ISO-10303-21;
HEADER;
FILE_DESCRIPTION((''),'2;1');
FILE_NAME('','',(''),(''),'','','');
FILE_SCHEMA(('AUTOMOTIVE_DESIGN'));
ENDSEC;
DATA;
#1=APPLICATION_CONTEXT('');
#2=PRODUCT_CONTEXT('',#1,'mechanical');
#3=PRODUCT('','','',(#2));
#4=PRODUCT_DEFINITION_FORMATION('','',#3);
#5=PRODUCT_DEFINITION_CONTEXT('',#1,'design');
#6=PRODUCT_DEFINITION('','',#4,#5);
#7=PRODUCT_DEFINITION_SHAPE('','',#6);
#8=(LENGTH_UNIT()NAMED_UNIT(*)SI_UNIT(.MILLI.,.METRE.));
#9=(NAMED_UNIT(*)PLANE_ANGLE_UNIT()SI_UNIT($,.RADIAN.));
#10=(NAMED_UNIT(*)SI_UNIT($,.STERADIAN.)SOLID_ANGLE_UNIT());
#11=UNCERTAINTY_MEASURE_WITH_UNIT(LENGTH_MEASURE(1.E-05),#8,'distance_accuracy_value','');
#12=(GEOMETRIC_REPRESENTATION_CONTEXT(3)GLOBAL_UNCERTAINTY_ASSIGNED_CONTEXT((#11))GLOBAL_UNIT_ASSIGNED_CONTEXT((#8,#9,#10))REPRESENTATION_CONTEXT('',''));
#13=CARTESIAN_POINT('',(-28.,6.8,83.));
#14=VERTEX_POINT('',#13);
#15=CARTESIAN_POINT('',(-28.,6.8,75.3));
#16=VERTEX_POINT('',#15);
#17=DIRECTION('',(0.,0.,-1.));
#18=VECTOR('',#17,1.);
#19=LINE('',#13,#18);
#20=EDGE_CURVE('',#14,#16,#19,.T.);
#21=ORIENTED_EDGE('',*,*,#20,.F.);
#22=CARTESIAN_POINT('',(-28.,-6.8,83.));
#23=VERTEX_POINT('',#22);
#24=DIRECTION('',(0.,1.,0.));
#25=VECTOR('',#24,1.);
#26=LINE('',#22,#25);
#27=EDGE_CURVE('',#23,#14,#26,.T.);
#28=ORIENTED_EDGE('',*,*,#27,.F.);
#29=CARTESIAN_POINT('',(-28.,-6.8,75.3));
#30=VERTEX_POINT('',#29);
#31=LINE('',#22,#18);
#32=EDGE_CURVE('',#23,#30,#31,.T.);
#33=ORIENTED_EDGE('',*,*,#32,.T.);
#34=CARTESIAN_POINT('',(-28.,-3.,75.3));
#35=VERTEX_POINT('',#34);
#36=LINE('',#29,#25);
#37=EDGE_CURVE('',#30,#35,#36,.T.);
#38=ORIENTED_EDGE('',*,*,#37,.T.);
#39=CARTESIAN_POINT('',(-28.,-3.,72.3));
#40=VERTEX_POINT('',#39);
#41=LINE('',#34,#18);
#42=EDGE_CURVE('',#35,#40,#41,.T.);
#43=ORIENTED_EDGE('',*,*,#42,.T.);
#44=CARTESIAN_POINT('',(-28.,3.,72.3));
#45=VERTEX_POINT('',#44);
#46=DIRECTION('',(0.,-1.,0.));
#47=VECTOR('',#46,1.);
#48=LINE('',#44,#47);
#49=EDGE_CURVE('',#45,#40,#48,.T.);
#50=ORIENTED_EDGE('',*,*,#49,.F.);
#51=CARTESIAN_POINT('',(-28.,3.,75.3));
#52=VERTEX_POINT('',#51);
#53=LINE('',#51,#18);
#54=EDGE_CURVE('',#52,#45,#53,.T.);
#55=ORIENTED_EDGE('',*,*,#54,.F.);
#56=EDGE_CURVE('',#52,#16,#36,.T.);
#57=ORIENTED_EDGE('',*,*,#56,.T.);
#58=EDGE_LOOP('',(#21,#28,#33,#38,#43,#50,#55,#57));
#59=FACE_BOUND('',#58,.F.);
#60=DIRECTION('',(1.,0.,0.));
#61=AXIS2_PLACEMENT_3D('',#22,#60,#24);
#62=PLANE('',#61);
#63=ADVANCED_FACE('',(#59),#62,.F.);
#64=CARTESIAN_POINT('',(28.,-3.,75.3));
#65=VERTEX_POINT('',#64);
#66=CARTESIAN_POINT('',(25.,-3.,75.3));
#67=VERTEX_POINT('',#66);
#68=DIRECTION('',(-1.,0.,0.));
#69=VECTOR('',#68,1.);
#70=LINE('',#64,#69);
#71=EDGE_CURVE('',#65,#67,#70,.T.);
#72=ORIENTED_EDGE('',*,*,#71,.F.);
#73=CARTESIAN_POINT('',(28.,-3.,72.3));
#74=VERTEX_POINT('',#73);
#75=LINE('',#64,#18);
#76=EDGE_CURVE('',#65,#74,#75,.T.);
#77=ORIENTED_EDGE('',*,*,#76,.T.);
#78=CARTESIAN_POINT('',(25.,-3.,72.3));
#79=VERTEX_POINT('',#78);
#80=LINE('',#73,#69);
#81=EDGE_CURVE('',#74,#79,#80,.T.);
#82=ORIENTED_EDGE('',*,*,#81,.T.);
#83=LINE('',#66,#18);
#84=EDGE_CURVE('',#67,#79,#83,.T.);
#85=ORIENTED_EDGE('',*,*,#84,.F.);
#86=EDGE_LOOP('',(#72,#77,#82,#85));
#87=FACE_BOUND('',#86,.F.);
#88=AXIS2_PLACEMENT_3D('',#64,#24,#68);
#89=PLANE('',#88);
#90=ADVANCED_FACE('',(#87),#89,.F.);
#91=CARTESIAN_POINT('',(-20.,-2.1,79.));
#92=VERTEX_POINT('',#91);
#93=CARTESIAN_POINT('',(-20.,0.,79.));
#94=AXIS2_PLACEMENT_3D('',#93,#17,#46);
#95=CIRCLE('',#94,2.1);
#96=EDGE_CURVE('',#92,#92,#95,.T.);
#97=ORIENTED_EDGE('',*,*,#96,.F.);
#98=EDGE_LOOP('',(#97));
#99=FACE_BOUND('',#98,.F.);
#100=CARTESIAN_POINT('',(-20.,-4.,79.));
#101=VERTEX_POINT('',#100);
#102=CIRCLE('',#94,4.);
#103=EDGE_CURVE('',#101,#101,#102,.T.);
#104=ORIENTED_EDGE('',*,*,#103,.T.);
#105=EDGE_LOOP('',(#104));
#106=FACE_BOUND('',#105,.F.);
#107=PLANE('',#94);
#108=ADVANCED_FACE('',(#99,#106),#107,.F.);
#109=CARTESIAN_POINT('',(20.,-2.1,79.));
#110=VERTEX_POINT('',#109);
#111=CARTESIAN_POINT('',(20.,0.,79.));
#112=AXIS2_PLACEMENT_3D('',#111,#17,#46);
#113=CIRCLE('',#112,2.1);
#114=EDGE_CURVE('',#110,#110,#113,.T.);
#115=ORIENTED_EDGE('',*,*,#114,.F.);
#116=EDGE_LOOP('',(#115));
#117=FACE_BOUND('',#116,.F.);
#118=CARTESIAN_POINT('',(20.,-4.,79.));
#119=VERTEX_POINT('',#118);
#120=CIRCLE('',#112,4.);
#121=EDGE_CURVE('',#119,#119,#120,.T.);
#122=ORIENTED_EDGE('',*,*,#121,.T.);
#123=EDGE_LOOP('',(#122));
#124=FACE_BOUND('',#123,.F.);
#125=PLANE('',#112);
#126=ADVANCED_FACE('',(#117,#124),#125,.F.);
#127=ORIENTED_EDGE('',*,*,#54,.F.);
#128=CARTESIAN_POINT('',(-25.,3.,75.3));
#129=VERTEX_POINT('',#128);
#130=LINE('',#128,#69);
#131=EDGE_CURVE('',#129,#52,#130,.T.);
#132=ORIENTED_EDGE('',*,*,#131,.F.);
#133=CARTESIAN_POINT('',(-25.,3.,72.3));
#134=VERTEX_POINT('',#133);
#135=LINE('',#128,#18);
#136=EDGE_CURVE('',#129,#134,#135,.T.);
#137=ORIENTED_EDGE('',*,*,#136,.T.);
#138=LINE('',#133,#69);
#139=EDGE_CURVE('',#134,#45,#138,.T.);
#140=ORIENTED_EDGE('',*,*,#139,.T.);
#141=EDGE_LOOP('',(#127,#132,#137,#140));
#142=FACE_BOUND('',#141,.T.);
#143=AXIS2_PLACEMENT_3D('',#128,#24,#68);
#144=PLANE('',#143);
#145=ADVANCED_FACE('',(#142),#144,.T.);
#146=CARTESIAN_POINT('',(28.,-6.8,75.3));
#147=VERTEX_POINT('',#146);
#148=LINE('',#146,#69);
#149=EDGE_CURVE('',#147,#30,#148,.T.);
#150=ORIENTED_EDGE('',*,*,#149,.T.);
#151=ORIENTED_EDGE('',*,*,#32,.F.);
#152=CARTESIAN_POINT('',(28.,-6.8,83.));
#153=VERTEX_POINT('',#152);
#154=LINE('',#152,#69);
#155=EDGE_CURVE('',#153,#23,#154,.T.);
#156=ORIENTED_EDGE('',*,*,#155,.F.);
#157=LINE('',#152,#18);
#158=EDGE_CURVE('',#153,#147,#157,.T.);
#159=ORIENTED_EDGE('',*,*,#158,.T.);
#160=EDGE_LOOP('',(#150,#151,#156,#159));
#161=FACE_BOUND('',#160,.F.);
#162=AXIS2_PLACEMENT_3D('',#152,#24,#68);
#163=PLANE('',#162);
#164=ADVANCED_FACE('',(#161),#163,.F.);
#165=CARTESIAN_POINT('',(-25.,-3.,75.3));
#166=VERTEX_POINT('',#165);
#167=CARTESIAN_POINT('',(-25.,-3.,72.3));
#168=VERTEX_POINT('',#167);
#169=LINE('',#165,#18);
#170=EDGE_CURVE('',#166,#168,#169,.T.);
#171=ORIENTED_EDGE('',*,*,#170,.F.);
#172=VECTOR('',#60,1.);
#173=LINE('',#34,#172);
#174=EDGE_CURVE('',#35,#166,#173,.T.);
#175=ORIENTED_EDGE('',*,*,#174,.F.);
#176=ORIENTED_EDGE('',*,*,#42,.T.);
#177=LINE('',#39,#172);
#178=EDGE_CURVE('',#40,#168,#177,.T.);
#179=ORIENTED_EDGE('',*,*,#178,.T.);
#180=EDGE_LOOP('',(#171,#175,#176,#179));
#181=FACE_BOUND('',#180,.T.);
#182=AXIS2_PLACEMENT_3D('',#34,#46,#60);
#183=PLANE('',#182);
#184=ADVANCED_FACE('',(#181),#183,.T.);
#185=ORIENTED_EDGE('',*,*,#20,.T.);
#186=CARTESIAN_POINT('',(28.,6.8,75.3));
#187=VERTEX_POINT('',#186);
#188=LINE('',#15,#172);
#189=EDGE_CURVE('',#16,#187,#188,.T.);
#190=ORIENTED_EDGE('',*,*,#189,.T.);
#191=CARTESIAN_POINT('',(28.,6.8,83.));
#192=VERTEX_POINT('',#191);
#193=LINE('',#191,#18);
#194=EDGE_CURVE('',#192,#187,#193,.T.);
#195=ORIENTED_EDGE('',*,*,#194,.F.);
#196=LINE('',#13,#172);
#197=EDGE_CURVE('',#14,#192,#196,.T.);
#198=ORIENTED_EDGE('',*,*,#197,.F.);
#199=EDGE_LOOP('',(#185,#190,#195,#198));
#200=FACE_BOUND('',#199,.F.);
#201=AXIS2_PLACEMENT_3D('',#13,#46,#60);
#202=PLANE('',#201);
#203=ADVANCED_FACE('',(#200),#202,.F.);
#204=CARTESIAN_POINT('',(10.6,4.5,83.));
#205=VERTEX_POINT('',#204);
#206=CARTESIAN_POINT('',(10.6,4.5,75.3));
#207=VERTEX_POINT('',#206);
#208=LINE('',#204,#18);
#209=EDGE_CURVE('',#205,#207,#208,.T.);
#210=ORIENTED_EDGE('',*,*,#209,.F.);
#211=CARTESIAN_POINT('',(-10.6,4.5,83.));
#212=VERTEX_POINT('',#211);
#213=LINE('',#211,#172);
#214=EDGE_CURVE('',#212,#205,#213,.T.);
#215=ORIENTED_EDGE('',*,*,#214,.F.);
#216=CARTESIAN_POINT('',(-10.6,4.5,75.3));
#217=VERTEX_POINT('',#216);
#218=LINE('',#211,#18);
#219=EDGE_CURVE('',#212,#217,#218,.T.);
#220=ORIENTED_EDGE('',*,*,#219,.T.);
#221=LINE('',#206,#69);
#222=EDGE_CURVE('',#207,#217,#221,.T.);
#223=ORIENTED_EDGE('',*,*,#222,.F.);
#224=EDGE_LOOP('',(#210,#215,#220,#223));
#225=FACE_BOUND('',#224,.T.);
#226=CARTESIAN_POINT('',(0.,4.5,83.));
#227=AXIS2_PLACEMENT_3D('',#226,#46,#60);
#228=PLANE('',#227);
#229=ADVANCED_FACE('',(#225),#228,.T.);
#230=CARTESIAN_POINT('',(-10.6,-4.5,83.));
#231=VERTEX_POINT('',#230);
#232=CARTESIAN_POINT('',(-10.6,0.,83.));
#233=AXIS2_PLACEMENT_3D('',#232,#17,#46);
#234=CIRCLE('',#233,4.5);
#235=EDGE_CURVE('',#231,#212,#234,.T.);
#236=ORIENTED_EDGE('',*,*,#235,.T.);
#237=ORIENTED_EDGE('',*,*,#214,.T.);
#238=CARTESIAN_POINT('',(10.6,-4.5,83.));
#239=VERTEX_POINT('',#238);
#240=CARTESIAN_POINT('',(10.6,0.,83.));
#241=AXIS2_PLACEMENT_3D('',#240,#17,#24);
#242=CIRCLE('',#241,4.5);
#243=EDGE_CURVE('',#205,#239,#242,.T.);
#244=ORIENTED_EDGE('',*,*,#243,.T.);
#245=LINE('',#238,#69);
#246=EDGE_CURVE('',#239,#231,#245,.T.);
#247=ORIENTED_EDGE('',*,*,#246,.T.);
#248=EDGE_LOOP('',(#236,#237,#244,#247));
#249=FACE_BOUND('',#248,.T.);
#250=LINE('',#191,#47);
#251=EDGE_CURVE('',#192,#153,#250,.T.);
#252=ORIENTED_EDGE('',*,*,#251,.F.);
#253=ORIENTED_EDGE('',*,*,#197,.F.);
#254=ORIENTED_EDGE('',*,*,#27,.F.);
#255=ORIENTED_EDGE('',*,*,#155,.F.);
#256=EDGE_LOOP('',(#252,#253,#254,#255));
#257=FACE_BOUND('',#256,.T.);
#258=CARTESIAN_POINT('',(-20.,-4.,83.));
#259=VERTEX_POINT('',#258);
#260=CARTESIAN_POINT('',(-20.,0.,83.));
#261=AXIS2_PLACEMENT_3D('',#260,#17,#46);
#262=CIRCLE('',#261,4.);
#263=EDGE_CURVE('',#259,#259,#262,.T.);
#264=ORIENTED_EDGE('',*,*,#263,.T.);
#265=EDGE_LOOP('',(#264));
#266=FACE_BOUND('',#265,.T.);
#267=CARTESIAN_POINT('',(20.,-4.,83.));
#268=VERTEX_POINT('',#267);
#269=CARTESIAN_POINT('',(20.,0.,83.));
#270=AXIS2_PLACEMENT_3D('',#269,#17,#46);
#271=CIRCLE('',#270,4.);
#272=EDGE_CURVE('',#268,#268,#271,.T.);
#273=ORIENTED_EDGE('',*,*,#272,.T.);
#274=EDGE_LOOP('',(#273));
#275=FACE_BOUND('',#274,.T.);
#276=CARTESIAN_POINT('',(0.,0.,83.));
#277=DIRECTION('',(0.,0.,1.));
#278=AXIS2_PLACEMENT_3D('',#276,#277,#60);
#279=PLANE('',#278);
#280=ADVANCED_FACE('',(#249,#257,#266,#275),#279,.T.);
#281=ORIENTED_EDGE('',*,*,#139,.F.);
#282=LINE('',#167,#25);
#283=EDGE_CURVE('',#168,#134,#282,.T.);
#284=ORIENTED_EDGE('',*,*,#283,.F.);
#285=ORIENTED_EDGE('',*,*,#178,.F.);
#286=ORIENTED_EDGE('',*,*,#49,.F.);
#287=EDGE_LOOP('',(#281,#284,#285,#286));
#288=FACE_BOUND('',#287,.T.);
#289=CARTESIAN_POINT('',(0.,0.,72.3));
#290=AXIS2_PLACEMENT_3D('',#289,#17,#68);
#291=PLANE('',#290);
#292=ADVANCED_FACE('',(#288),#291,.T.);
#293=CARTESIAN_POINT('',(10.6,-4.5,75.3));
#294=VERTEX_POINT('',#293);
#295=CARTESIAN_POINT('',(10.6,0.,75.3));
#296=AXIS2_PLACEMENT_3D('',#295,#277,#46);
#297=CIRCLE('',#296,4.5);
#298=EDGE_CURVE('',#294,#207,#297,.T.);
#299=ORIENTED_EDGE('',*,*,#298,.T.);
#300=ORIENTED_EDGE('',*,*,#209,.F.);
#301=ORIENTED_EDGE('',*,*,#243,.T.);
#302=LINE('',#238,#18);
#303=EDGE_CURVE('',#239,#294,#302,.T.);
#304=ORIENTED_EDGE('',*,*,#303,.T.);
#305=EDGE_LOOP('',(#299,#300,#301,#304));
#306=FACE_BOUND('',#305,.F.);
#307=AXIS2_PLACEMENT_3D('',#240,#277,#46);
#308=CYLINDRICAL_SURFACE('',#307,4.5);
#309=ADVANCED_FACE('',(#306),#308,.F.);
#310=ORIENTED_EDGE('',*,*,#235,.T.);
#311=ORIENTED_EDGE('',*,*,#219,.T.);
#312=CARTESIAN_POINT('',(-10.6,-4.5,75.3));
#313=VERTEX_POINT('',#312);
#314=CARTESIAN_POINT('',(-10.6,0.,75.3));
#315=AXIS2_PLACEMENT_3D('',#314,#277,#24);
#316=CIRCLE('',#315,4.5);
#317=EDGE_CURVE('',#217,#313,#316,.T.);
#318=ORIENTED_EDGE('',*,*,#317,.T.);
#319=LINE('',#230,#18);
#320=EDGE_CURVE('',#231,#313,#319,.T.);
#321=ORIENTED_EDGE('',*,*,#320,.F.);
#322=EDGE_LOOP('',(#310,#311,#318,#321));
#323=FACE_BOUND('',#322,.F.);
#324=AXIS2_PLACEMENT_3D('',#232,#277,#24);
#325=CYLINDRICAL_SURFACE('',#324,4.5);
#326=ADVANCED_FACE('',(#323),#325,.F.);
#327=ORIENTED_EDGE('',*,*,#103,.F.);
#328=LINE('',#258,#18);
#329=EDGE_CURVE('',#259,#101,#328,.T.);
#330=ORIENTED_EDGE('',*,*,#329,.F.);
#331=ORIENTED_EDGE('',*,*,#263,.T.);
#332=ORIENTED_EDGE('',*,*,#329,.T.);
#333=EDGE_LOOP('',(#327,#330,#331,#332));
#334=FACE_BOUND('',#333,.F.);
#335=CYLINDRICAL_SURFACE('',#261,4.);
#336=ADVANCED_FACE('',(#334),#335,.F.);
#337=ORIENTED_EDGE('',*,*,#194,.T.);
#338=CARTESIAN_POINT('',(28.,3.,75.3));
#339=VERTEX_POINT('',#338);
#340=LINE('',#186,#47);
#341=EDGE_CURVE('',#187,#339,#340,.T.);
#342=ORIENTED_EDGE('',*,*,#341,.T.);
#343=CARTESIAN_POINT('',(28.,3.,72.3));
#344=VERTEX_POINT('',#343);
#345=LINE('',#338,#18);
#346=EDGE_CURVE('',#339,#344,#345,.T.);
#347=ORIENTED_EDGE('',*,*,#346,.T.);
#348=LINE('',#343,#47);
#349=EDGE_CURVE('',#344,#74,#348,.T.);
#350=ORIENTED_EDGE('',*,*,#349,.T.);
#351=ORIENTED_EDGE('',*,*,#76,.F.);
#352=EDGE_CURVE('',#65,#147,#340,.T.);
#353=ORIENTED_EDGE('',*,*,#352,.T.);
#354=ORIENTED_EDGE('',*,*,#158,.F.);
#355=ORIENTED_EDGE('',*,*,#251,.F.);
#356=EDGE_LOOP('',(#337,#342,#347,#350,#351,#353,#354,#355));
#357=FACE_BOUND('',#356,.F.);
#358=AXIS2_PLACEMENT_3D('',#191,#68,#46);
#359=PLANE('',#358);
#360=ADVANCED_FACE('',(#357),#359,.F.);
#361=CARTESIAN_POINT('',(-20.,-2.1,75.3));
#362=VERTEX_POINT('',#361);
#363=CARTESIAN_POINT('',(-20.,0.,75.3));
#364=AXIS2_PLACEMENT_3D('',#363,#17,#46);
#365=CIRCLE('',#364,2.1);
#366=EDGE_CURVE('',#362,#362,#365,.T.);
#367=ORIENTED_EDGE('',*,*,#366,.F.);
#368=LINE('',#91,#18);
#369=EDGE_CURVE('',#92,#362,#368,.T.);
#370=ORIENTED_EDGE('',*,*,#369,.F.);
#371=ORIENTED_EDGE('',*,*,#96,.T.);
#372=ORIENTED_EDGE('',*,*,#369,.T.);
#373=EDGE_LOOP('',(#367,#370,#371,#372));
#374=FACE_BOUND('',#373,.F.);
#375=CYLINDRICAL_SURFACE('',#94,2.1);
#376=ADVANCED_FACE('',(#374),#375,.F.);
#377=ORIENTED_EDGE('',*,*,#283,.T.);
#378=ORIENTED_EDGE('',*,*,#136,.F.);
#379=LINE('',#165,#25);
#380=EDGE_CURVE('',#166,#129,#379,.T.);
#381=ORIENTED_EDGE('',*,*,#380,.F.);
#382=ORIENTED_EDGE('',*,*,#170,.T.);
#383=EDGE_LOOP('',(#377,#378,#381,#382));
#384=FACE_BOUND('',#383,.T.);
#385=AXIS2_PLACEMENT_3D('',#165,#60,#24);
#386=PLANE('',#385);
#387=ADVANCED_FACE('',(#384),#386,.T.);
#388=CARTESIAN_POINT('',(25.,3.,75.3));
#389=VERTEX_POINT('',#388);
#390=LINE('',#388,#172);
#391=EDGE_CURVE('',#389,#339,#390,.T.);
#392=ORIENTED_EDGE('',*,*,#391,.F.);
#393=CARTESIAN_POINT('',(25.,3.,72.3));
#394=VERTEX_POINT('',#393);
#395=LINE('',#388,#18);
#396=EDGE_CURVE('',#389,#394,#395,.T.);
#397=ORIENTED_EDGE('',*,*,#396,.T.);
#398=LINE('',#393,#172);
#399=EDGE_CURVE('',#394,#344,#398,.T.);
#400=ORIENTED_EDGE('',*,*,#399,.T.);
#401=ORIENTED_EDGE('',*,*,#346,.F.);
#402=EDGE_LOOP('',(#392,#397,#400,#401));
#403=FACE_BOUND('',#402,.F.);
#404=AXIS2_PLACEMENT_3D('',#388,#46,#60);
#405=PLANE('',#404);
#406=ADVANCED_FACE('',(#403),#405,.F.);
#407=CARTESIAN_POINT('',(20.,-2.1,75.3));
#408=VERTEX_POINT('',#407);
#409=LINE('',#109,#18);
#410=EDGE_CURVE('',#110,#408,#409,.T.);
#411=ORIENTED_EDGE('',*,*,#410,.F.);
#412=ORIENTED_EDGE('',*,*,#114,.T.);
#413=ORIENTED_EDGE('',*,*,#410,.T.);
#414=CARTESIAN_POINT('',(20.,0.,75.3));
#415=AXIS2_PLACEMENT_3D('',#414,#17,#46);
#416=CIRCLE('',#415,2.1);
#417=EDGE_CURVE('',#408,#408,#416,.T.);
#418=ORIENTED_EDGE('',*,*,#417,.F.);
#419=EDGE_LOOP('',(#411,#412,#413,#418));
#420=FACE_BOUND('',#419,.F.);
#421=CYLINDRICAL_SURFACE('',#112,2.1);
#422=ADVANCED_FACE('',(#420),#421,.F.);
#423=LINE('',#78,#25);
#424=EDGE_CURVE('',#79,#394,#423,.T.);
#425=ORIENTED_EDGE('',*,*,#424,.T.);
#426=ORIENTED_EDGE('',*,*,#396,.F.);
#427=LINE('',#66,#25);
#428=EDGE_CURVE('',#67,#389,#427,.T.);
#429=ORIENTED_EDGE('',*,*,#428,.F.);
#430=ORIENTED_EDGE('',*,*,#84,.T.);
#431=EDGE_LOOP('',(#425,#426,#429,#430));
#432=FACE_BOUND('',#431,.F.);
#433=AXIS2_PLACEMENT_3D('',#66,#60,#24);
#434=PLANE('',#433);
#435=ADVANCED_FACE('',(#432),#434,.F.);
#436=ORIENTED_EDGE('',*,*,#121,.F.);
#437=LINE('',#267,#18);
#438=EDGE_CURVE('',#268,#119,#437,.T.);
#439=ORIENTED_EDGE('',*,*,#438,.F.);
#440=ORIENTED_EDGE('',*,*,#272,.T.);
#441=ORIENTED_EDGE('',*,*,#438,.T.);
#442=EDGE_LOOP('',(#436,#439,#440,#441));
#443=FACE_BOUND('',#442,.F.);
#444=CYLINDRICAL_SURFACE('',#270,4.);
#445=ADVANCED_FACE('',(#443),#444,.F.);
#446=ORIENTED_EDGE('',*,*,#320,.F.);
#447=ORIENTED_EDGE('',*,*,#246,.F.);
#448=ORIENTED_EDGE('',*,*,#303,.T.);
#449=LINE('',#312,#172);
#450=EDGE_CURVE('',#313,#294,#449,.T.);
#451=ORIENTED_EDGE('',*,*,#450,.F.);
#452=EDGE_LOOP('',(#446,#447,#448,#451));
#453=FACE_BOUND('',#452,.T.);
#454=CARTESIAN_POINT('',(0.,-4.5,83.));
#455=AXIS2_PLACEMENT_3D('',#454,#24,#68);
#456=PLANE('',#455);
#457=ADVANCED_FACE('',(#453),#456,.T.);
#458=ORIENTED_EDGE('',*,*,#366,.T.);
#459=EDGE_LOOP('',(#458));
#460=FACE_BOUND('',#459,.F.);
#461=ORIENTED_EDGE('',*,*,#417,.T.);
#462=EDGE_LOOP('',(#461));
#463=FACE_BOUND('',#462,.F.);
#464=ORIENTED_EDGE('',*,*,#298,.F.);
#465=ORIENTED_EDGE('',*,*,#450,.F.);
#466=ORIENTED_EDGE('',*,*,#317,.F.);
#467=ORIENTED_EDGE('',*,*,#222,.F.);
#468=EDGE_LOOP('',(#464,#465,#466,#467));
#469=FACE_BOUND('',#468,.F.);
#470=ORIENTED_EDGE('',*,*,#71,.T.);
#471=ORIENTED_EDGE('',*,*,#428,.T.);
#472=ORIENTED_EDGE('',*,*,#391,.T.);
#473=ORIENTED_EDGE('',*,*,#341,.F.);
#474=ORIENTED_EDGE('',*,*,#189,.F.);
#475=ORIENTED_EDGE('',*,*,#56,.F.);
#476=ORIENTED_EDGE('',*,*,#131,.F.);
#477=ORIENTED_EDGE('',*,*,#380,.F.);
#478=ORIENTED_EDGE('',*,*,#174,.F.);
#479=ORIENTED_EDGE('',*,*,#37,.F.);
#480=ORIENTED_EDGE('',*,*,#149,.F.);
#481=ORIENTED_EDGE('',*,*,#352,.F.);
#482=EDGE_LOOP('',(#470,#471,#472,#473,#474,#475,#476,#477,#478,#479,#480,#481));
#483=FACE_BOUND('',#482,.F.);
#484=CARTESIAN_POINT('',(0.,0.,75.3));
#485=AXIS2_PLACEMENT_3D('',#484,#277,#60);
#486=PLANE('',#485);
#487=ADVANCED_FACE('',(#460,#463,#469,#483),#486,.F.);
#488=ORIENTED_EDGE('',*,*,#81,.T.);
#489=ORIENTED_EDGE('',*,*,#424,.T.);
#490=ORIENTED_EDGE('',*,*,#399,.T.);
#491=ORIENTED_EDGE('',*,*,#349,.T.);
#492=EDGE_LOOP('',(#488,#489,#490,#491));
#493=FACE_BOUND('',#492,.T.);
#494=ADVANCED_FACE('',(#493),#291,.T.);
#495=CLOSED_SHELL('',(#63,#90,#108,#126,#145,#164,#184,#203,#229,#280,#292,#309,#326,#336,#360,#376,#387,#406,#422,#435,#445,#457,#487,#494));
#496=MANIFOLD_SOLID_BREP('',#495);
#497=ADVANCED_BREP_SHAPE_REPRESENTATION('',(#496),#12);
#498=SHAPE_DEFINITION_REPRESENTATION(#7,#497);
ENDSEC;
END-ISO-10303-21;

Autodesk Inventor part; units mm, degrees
ref_plane "YZ Plane" through (0, 0, 0) normal (1, 0, 0) x (0, 1, 0)
ref_plane "XZ Plane" through (0, 0, 0) normal (0, 1, 0) x (-1, 0, 0)
ref_plane "Work Plane15" through (0, 0, 83) normal (0, 0, 1) x (1, 0, 0)
sketch "Sketch35" plane through (0, 0, 83) normal (0, 0, 1) x (1, 0, 0)
  line L0 (-53.15, -19.2) -> (-22.85, -19.2)
  line L1 (-22.85, -19.2) -> (-22.85, -26.8)
  line L2 (-22.85, -26.8) -> (-53.15, -26.8)
  line L3 (-53.15, -26.8) -> (-53.15, -19.2)
  line L4 (-53.15, -26.8) -> (-22.85, -19.2) construction
  line L5 (-22.85, -26.8) -> (-53.15, -19.2) construction
  line L6 (-53.15, -23) -> (-49.35, -23) construction
  arc A0 (-49.35, -19.2) -> (-53.15, -23) centre (-49.35, -23) ccw
  arc A1 (-53.15, -23) -> (-49.35, -26.8) centre (-49.35, -23) ccw
  line L7 (-22.85, -23) -> (-26.65, -23) construction
  arc A2 (-22.85, -23) -> (-26.65, -19.2) centre (-26.65, -23) ccw
  arc A3 (-26.65, -26.8) -> (-22.85, -23) centre (-26.65, -23) ccw
  line L8 (-38, -26.8) -> (-38, -23)
  line L9 (-38, -26.8) -> (-34.2, -26.8) construction
  line L10 (-28, 6.8) -> (28, 6.8)
  line L11 (28, 6.8) -> (28, -6.8)
  line L12 (28, -6.8) -> (-28, -6.8)
  line L13 (-28, -6.8) -> (-28, 6.8)
  line L14 (-11.3, -22) -> (-6.85, -22) construction
  line L15 (3, -17.55) -> (3, -26.45)
  line L16 (-11.5, -17.5) -> (17.5, -17.5)
  line L17 (17.5, -17.5) -> (17.5, -26.5)
  line L18 (17.5, -26.5) -> (-11.5, -26.5)
  line L19 (-11.5, -26.5) -> (-11.5, -17.5)
  line L20 (-11.5, -22) -> (-7, -22)
  arc A4 (-7, -17.5) -> (-7, -26.5) centre (-7, -22) ccw
  arc A5 (13, -26.5) -> (13, -17.5) centre (13, -22) ccw
  line L21 (-15.1, 4.5) -> (15.1, 4.5)
  line L22 (15.1, 4.5) -> (15.1, -4.5)
  line L23 (15.1, -4.5) -> (-15.1, -4.5)
  line L24 (-15.1, -4.5) -> (-15.1, 4.5)
  line L25 (-15.1, 0) -> (-10.6, 0)
  arc A6 (-10.6, 4.5) -> (-10.6, -4.5) centre (-10.6, 0) ccw
  arc A7 (10.6, -4.5) -> (10.6, 4.5) centre (10.6, 0) ccw
  line L26 (0, 4.5) -> (0, -4.5)
  point P0 (0, 0)
  point P1 (69, 73)
  point P2 (-22.85, -23)
  point P3 (-22.85, -23)
  point P4 (-26.65, -26.8)
  point P5 (-26.65, -19.2)
  point P6 (13, -26.5)
  point P7 (13, -17.5)
  point P8 (0, 0)
  dimension "d253" = 7.6
  dimension "d265" = 3.8
  dimension "d316" = 3.8
  dimension "d317" = 90
  dimension "d359" = 29
  dimension "d360" = 9
  dimension "d361" = 4.5
  dimension "d362" = 30.2
  dimension "d363" = 9
  dimension "d364" = 4.5
  dimension "d365" = 56
  dimension "d366" = 13.6
  dimension "d367" = 2.3
  dimension "d368" = 12.9
extrude "Extrusion25" add sketch "Sketch35" against normal blind 7.7 contours L10 L11 L12 L13 | L21 A6 L24 | A6 L23 L24 | L21 L22 A7 | L22 L23 A7
sketch "Sketch46" plane through (0, 0, 83) normal (0, 0, 1) x (1, 0, 0)
  point P0 (0, 0)
  point P1 (-20, 0)
  point P2 (20, 0)
hole "Hole8" at (20, 0, 83) at (-20, 0, 83) direction (0, 0, -1) diameter 4.2 depth 7.7 counterbore diameter 8 counterbore depth 4
sketch "Sketch47" plane through (0, 0, 75.3) normal (0, 0, -1) x (-1, 0, 0)
  line L0 (28, -3) -> (25, -3)
  line L1 (25, -3) -> (25, 3)
  line L2 (25, 3) -> (28, 3)
  line L3 (28, 3) -> (28, -3)
  line L4 (0, 0) -> (0, 11)
  line L5 (-28, -3) -> (-25, -3)
  line L6 (-25, -3) -> (-25, 3)
  line L7 (-25, 3) -> (-28, 3)
  line L8 (-28, 3) -> (-28, -3)
  line L9 (28, -6.8) -> (28, 6.8) projected
  dimension "d378" = 3
  dimension "d379" = 6
  dimension "d380" = 0
extrude "Extrusion34" add sketch "Sketch47" along normal blind 3
properties part number "cameraModuleEnclosure_3DPrint"
